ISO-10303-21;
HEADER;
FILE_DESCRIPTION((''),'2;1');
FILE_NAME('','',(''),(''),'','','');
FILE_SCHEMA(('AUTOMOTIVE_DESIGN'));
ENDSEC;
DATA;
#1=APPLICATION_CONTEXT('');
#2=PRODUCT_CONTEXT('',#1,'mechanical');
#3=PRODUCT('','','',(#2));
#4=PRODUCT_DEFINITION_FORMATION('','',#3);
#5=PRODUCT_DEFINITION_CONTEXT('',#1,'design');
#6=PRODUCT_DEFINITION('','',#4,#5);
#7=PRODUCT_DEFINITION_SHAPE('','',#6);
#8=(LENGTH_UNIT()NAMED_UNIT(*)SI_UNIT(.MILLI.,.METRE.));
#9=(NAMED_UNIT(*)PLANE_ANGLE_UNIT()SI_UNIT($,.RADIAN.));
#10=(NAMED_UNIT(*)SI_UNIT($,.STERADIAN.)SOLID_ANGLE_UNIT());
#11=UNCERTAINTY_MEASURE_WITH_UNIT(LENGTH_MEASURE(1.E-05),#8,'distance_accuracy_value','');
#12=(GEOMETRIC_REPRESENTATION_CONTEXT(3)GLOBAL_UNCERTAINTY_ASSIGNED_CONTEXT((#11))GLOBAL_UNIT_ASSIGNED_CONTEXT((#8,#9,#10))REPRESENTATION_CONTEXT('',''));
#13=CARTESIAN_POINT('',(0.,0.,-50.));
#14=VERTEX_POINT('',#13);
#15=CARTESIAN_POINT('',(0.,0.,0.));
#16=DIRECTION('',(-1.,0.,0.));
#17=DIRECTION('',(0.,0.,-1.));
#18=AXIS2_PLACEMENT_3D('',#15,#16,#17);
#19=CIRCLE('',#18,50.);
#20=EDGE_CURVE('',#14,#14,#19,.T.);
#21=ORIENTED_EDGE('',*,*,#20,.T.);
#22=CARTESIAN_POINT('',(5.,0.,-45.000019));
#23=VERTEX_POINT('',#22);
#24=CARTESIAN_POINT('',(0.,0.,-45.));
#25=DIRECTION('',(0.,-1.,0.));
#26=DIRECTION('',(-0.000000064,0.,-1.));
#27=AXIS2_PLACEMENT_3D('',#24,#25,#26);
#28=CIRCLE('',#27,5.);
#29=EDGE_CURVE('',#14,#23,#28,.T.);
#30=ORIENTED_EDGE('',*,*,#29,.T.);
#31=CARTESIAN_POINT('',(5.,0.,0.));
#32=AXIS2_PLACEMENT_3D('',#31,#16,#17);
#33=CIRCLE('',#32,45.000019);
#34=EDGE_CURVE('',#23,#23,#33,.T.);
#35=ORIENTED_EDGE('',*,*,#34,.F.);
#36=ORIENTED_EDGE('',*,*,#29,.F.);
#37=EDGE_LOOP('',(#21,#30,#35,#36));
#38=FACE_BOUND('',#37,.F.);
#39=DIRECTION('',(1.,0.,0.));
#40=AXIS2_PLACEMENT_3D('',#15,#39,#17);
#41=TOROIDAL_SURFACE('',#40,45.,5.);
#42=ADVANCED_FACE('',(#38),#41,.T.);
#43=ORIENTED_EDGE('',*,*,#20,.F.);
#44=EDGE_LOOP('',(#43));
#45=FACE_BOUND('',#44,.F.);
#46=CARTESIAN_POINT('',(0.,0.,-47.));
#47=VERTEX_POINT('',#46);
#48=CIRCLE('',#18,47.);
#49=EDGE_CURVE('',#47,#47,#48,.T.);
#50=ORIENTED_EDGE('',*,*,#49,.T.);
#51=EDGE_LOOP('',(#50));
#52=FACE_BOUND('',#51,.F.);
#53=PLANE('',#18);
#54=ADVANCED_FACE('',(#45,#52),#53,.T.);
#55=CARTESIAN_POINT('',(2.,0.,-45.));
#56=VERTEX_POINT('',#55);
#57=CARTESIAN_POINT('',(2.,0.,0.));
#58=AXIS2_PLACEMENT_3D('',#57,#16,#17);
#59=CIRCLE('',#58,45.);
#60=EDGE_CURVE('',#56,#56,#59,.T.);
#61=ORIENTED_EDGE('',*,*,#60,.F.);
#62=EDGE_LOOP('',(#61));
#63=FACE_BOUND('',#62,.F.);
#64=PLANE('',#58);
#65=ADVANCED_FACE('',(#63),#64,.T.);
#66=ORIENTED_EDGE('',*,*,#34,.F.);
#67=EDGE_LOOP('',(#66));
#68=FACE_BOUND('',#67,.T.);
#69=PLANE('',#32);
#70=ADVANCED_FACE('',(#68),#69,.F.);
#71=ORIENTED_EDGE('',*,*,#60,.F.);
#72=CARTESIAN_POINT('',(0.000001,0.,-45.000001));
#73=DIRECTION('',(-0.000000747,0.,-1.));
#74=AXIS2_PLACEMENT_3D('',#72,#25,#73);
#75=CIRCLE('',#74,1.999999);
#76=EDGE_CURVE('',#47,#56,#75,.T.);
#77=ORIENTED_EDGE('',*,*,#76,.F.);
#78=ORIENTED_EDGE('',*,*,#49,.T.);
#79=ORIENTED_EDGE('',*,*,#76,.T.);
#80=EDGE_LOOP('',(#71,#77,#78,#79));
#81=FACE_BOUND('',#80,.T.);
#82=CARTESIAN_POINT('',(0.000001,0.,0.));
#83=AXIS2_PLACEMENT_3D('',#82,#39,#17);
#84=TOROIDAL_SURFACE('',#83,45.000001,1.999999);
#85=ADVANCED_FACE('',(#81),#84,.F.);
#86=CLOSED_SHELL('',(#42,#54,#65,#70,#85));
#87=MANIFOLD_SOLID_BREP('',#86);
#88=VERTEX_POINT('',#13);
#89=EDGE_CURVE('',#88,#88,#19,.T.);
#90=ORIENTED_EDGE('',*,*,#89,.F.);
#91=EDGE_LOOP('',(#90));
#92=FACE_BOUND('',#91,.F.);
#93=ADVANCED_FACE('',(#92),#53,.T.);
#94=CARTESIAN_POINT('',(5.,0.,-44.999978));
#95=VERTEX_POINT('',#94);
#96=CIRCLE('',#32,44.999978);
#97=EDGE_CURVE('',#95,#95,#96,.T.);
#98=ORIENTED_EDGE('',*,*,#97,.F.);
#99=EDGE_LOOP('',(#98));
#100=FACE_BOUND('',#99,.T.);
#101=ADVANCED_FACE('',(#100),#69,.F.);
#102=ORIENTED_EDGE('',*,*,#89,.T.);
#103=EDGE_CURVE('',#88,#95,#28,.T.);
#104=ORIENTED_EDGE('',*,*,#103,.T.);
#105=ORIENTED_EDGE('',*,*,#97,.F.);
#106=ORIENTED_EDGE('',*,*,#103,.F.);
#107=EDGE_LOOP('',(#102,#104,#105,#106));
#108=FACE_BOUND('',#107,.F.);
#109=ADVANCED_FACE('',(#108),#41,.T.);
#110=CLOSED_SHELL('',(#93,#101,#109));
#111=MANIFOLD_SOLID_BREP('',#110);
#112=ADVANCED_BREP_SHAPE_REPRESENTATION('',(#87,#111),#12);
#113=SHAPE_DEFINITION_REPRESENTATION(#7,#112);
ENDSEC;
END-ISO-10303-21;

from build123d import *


with BuildPart() as inner:
    # Sketch001 → Revolution001 (revolve)
    with BuildSketch(Plane(origin=(0, 0, 0), x_dir=(-1, 0, 0), z_dir=(0, -1, 0))):
        with BuildLine():
            Line((0, 0), (0, 45))
            Line((0, 45), (0, 47))
            ThreePointArc((0, 47), (-1.414214, 46.414214), (-2, 45))
            Line((-2, 0), (-2, 45))
            Line((0, 0), (-2, 0))
        make_face()
    revolve(axis=Axis((0, 0, 0), (-1, 0, 0)))


with BuildPart() as model:
    # Sketch → Revolution (revolve)
    with BuildSketch(Plane(origin=(0, 0, 0), x_dir=(-1, 0, 0), z_dir=(0, -1, 0))):
        with BuildLine():
            Line((0, 0), (0, 45))
            Line((0, 45), (0, 50))
            ThreePointArc((0, 50), (-3.535527, 48.535541), (-5, 45.000019))
            Line((-5, 0), (-5, 45.000019))
            Line((0, 0), (-5, 0))
        make_face()
    revolve(axis=Axis((0, 0, 0), (-1, 0, 0)))

    # Cut: cut Inner
    add(inner.part, mode=Mode.SUBTRACT)


with BuildPart() as displacedmodel:
    # Sketch002 → Revolution002 (revolve)
    with BuildSketch(Plane(origin=(0, 0, 0), x_dir=(-1, 0, 0), z_dir=(0, -1, 0))):
        with BuildLine():
            Line((0, 0), (0, 45))
            Line((0, 45), (0, 50))
            ThreePointArc((0, 50), (-3.535542, 48.535526), (-5, 44.999978))
            Line((-5, 0), (-5, 44.999978))
            Line((0, 0), (-5, 0))
        make_face()
    revolve(axis=Axis((0, 0, 0), (-1, 0, 0)))


solid = Compound([model.part, displacedmodel.part])
